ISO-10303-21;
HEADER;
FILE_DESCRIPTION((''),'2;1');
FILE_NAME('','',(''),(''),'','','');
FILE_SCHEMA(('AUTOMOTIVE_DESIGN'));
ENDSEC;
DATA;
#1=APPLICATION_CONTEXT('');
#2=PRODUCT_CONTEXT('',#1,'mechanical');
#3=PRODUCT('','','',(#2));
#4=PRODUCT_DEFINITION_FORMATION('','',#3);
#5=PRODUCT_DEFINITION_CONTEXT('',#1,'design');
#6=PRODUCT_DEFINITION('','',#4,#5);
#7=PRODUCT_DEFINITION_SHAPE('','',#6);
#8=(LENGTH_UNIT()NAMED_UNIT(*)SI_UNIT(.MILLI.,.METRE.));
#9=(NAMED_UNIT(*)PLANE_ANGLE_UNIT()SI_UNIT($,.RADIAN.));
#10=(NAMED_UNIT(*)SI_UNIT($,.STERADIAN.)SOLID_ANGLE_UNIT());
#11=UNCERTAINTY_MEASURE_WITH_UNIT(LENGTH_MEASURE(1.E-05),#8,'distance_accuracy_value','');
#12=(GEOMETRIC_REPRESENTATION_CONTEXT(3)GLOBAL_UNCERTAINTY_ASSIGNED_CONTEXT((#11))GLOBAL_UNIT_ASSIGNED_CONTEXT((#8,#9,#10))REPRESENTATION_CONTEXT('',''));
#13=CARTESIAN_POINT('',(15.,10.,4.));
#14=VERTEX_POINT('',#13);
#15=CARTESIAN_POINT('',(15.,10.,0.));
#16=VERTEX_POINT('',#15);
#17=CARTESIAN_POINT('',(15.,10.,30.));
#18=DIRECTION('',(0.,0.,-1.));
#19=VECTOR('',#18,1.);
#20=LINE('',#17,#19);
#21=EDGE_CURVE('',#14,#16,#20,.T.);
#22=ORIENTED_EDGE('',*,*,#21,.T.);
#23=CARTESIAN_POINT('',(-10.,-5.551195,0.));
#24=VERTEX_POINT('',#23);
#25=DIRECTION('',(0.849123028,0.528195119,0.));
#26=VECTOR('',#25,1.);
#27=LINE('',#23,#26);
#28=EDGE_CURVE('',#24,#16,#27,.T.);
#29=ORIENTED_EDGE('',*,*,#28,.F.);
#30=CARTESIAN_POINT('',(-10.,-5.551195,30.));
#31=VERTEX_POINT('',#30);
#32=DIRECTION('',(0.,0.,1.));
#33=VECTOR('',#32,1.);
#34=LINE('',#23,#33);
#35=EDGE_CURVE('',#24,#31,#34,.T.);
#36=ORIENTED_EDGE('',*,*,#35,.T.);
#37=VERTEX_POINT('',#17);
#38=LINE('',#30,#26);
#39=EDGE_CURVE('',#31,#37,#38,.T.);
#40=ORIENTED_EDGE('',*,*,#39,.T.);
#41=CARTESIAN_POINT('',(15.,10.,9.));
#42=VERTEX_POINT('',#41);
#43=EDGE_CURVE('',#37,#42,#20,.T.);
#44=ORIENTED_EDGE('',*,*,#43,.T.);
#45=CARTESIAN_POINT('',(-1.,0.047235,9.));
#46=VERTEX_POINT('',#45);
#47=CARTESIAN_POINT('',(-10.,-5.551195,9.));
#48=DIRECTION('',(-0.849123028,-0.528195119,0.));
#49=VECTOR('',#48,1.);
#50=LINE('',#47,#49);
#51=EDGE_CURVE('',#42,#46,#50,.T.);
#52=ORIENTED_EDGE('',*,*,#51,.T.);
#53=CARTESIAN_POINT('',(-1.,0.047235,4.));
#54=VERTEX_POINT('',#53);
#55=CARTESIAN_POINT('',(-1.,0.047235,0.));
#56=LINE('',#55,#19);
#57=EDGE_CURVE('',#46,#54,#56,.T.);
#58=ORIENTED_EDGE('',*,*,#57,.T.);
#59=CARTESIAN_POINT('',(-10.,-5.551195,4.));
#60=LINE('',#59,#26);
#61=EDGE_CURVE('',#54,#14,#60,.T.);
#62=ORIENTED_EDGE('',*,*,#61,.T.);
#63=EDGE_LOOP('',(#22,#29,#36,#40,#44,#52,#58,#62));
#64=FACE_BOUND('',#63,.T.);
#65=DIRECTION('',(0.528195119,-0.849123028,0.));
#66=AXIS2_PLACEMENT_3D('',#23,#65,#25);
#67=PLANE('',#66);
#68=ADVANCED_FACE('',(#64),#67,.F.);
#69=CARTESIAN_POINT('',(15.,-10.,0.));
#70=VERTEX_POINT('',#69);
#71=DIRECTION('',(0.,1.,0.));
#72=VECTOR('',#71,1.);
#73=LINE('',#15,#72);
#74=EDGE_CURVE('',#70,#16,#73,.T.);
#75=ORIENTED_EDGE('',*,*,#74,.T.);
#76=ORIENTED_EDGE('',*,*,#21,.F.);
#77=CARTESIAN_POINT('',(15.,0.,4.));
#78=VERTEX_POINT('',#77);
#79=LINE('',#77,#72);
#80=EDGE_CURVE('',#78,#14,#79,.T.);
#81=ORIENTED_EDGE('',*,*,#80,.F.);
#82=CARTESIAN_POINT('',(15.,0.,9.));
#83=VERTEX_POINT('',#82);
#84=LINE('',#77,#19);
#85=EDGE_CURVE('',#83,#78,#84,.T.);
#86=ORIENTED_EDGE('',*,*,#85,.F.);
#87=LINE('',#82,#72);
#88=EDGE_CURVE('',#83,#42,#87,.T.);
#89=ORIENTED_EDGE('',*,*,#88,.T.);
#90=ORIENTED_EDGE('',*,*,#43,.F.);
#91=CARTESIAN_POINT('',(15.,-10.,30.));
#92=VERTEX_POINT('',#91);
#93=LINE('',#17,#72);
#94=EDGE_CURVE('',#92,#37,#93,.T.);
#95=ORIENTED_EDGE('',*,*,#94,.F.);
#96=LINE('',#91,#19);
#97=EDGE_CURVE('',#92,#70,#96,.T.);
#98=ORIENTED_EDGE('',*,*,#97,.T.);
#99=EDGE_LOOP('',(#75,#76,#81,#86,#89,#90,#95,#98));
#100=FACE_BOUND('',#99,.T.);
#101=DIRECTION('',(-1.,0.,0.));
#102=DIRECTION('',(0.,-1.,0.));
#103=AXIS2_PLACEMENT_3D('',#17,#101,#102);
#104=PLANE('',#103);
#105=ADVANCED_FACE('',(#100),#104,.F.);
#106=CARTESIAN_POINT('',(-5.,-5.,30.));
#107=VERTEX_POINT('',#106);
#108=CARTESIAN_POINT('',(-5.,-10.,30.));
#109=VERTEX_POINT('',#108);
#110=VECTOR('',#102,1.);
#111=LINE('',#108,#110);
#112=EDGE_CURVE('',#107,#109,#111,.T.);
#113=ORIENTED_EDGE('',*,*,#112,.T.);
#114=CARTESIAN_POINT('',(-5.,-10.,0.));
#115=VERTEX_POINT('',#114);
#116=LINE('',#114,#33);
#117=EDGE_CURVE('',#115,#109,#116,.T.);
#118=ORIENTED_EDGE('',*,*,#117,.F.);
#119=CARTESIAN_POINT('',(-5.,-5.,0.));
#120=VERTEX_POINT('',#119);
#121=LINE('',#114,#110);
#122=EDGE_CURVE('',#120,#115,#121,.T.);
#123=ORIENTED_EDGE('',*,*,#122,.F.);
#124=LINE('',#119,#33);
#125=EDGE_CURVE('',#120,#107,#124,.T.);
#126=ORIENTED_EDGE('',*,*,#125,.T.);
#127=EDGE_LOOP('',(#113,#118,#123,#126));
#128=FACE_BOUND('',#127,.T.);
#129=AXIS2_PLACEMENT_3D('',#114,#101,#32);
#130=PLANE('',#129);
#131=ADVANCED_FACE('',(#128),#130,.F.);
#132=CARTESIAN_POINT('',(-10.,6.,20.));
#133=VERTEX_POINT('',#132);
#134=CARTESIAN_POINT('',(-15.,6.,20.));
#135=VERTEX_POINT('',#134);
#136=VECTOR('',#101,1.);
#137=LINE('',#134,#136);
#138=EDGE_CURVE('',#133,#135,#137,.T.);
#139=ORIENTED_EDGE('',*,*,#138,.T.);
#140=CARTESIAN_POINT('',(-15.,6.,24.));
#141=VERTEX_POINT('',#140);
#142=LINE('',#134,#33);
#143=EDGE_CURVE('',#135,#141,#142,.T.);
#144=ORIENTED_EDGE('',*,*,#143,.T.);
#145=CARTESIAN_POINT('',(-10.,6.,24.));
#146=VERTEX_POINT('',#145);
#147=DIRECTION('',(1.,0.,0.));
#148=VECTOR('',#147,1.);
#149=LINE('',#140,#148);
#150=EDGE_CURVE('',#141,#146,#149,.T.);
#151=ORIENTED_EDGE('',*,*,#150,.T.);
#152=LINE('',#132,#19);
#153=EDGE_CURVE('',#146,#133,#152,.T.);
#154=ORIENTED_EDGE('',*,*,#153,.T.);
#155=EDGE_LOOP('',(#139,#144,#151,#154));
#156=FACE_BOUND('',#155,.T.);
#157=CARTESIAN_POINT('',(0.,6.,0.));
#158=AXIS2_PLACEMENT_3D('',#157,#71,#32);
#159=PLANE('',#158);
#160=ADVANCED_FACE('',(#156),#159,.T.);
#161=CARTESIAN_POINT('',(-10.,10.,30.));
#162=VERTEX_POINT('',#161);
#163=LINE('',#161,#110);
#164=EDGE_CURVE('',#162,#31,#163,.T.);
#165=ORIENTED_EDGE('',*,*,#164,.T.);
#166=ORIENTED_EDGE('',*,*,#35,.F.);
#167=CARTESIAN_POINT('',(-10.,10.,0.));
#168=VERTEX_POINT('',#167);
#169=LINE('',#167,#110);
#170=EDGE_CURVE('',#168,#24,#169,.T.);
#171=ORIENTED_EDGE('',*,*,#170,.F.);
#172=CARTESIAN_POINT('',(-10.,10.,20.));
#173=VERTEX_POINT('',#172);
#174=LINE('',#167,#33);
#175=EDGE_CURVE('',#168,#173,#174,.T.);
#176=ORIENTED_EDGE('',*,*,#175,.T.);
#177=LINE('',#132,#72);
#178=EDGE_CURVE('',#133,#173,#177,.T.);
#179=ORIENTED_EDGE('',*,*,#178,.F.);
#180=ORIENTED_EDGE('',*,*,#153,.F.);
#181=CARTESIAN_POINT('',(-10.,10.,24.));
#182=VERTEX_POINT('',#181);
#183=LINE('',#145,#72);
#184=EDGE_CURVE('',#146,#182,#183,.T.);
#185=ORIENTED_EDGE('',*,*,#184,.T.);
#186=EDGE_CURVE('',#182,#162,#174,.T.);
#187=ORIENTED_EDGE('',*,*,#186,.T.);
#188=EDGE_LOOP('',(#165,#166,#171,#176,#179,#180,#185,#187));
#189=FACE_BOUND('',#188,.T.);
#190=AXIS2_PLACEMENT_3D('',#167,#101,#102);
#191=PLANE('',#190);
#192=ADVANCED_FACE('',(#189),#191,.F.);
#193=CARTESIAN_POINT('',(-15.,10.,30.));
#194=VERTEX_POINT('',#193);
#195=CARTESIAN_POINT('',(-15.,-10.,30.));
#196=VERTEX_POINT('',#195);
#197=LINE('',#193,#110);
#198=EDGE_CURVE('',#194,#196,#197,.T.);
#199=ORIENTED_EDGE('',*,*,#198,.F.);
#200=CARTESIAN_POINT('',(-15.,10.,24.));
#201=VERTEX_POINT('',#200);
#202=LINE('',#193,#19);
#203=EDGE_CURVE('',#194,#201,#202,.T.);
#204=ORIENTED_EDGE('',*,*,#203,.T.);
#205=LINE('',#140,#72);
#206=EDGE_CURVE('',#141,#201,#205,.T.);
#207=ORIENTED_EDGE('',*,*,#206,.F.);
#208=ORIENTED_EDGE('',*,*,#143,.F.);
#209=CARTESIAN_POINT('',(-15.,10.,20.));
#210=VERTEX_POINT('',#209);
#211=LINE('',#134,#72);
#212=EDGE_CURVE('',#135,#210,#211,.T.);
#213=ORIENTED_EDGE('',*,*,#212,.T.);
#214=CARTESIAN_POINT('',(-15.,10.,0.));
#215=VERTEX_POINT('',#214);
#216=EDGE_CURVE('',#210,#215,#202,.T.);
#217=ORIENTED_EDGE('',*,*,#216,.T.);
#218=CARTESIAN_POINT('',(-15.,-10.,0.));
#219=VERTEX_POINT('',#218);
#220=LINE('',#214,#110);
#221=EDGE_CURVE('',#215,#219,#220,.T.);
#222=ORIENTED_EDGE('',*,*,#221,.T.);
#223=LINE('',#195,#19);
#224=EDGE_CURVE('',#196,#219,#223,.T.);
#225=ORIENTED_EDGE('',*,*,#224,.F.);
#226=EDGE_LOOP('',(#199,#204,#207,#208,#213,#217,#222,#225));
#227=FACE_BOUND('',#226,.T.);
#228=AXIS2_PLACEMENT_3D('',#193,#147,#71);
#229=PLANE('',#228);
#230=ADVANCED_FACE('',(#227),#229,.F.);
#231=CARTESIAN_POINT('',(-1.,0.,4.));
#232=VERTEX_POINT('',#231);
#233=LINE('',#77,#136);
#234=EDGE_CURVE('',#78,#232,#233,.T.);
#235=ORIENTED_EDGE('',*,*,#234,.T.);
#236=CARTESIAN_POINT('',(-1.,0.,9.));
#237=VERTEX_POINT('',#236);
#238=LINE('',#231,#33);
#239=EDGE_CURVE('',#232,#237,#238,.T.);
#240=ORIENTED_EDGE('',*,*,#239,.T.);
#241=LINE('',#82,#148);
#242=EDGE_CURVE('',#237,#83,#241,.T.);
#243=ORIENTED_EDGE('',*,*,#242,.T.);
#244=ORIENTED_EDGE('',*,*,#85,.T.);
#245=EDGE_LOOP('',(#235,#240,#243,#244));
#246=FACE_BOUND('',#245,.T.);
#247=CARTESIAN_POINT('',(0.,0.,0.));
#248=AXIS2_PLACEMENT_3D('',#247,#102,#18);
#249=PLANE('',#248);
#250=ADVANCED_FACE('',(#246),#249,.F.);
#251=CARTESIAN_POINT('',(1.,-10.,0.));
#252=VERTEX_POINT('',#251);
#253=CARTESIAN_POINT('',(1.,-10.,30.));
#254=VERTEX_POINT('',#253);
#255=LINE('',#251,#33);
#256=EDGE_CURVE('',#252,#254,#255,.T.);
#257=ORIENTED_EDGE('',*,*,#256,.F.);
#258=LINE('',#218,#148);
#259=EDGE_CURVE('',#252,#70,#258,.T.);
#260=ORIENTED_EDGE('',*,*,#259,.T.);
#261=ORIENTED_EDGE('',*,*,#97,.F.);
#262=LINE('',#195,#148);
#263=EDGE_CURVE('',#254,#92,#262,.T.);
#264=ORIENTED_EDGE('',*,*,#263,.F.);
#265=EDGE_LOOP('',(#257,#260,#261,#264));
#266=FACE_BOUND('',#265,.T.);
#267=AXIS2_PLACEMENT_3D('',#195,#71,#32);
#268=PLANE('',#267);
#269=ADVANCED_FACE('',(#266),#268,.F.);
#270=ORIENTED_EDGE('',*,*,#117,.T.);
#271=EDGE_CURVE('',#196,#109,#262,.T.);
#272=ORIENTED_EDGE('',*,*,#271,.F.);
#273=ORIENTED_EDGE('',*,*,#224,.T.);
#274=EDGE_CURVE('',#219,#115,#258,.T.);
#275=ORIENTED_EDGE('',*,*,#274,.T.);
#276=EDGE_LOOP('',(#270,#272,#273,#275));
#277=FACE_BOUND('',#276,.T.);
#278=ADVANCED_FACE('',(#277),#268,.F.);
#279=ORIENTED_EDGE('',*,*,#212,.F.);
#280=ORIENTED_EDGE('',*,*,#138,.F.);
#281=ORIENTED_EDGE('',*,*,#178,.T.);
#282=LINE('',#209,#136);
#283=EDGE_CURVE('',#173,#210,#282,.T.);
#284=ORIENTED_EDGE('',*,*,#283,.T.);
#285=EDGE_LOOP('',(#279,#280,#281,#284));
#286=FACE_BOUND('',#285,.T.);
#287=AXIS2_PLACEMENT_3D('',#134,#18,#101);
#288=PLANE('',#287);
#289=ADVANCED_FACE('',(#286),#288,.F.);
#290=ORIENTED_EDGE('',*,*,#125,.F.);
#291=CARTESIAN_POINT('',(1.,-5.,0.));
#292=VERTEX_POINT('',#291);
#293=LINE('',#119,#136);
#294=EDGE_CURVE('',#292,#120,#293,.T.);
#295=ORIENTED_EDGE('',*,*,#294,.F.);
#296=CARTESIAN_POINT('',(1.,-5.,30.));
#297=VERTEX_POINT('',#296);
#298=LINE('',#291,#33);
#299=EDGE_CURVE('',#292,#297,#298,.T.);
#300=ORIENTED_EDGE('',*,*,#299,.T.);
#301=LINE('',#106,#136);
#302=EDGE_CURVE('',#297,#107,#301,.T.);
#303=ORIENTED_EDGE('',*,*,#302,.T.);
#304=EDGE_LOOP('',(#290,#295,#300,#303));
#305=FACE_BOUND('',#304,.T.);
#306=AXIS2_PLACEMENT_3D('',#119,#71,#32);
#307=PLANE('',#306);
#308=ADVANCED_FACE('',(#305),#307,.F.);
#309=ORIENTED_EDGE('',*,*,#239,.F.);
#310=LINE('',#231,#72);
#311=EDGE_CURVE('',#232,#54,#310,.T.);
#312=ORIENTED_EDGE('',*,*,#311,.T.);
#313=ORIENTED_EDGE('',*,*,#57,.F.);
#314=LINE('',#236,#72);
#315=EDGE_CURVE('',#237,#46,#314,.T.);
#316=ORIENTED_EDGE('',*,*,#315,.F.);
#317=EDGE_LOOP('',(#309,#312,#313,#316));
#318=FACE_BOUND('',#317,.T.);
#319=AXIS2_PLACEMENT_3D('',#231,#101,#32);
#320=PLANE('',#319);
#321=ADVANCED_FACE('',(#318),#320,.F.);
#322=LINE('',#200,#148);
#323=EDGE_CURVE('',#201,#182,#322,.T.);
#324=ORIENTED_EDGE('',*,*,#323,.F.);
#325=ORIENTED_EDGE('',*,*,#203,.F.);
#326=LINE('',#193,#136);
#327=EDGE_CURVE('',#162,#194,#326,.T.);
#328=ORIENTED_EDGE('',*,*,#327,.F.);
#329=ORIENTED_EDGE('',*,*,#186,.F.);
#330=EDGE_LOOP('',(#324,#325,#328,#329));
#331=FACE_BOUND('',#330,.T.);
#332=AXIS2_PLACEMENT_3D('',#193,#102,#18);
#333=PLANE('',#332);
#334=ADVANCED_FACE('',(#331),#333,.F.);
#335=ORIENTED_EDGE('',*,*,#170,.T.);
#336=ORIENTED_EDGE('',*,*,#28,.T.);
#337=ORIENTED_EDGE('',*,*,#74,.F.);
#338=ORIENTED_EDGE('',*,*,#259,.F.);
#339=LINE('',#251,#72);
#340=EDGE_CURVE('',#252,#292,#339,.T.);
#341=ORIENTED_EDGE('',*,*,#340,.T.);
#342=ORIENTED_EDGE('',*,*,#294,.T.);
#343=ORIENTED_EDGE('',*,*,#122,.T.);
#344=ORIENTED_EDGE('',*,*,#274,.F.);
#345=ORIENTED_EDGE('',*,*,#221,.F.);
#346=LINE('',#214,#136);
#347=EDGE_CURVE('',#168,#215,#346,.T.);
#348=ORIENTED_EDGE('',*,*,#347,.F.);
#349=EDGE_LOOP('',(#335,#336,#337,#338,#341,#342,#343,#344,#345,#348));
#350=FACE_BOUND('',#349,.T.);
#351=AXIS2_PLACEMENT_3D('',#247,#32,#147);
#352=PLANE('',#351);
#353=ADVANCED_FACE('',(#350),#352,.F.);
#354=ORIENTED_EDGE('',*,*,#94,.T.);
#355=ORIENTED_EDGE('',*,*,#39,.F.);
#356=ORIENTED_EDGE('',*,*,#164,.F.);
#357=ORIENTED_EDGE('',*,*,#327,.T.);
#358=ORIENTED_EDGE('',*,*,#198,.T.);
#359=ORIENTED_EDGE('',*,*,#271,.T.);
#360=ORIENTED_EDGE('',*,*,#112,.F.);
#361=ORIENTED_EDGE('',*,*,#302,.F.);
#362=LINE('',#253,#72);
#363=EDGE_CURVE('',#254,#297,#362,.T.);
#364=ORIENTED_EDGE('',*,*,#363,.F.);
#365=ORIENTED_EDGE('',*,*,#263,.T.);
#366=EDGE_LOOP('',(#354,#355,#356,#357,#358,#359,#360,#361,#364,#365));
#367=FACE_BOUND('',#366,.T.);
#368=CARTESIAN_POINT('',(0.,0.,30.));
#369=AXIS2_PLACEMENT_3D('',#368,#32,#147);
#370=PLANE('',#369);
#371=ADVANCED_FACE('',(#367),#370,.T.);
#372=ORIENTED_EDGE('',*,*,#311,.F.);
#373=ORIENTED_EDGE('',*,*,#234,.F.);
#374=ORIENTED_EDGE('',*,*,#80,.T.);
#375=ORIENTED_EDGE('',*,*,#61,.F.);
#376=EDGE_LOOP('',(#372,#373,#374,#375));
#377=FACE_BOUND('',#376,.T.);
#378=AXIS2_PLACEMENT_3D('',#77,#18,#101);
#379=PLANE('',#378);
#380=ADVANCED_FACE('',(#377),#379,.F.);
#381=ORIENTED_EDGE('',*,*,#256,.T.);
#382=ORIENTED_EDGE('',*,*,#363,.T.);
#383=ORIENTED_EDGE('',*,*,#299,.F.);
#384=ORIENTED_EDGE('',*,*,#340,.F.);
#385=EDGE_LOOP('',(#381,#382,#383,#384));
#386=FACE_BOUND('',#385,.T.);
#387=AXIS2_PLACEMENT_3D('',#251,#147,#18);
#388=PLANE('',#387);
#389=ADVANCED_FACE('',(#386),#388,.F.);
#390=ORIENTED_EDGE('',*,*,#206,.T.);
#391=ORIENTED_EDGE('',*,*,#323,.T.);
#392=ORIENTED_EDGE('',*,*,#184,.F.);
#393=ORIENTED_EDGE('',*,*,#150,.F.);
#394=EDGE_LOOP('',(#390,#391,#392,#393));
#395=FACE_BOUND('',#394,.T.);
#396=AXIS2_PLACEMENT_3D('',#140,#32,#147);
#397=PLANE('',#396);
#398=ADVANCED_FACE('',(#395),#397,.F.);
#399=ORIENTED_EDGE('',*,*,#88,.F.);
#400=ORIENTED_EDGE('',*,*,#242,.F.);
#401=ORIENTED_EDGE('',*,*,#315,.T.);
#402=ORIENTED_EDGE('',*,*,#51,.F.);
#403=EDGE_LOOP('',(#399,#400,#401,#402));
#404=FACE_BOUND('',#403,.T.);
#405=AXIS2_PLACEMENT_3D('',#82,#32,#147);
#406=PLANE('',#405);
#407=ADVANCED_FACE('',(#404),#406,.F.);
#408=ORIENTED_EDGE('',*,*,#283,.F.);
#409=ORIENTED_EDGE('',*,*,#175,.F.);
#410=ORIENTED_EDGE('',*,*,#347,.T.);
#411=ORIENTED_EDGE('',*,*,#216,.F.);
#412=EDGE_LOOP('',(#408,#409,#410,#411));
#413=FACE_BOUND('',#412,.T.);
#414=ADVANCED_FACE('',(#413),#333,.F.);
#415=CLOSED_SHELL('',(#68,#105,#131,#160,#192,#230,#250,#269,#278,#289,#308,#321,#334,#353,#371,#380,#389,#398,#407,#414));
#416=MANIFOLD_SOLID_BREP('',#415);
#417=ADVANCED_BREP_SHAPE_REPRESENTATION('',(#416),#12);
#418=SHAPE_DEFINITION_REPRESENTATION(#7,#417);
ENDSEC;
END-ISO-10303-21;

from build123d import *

# Parameters (mm, degrees)
SKETCH_1_W          = 30
SKETCH_1_H          = 20
EXTRUDE_1_DEPTH     = 30
SKETCH_2_W          = 6
SKETCH_2_H          = 5
CUT_EXTRUDE_1_DEPTH = 30
CUT_EXTRUDE_2_DEPTH = 30
SKETCH_4_W          = 5
SKETCH_4_H          = 4
CUT_EXTRUDE_3_DEPTH = 4
SKETCH_6_W          = 16
SKETCH_6_H          = 5
CUT_EXTRUDE_4_DEPTH = 10


with BuildPart() as part:
    # 草圖1 → 填料-伸長1 (new body)
    with BuildSketch(Plane.XY):
        Rectangle(SKETCH_1_W, SKETCH_1_H)
    extrude(amount=EXTRUDE_1_DEPTH)

    # 草圖2 → 除料-伸長1 (cut)
    with BuildSketch(Plane.XY.offset(30)):
        with Locations((-2, -7.5)):
            Rectangle(SKETCH_2_W, SKETCH_2_H)
    extrude(amount=-CUT_EXTRUDE_1_DEPTH, mode=Mode.SUBTRACT)

    # 草圖3 → 除料-伸長2 (cut)
    with BuildSketch(Plane.XY.offset(30)):
        Polygon((-10, 10), (-10, -5.551195207), (15, 10), align=None)
    extrude(amount=-CUT_EXTRUDE_2_DEPTH, mode=Mode.SUBTRACT)

    # 草圖4 → 除料-伸長3 (cut)
    with BuildSketch(Plane(origin=(0, 10, 0), x_dir=(1, 0, 0), z_dir=(0, 1, 0))):
        with Locations((-12.5, -22)):
            Rectangle(SKETCH_4_W, SKETCH_4_H)
    extrude(amount=-CUT_EXTRUDE_3_DEPTH, mode=Mode.SUBTRACT)

    # 草圖6 → 除料-伸長4 (cut)
    with BuildSketch(Plane(origin=(0, 10, 0), x_dir=(1, 0, 0), z_dir=(0, 1, 0))):
        with Locations((7, -6.5)):
            Rectangle(SKETCH_6_W, SKETCH_6_H)
    extrude(amount=-CUT_EXTRUDE_4_DEPTH, mode=Mode.SUBTRACT)


solid = part.part
